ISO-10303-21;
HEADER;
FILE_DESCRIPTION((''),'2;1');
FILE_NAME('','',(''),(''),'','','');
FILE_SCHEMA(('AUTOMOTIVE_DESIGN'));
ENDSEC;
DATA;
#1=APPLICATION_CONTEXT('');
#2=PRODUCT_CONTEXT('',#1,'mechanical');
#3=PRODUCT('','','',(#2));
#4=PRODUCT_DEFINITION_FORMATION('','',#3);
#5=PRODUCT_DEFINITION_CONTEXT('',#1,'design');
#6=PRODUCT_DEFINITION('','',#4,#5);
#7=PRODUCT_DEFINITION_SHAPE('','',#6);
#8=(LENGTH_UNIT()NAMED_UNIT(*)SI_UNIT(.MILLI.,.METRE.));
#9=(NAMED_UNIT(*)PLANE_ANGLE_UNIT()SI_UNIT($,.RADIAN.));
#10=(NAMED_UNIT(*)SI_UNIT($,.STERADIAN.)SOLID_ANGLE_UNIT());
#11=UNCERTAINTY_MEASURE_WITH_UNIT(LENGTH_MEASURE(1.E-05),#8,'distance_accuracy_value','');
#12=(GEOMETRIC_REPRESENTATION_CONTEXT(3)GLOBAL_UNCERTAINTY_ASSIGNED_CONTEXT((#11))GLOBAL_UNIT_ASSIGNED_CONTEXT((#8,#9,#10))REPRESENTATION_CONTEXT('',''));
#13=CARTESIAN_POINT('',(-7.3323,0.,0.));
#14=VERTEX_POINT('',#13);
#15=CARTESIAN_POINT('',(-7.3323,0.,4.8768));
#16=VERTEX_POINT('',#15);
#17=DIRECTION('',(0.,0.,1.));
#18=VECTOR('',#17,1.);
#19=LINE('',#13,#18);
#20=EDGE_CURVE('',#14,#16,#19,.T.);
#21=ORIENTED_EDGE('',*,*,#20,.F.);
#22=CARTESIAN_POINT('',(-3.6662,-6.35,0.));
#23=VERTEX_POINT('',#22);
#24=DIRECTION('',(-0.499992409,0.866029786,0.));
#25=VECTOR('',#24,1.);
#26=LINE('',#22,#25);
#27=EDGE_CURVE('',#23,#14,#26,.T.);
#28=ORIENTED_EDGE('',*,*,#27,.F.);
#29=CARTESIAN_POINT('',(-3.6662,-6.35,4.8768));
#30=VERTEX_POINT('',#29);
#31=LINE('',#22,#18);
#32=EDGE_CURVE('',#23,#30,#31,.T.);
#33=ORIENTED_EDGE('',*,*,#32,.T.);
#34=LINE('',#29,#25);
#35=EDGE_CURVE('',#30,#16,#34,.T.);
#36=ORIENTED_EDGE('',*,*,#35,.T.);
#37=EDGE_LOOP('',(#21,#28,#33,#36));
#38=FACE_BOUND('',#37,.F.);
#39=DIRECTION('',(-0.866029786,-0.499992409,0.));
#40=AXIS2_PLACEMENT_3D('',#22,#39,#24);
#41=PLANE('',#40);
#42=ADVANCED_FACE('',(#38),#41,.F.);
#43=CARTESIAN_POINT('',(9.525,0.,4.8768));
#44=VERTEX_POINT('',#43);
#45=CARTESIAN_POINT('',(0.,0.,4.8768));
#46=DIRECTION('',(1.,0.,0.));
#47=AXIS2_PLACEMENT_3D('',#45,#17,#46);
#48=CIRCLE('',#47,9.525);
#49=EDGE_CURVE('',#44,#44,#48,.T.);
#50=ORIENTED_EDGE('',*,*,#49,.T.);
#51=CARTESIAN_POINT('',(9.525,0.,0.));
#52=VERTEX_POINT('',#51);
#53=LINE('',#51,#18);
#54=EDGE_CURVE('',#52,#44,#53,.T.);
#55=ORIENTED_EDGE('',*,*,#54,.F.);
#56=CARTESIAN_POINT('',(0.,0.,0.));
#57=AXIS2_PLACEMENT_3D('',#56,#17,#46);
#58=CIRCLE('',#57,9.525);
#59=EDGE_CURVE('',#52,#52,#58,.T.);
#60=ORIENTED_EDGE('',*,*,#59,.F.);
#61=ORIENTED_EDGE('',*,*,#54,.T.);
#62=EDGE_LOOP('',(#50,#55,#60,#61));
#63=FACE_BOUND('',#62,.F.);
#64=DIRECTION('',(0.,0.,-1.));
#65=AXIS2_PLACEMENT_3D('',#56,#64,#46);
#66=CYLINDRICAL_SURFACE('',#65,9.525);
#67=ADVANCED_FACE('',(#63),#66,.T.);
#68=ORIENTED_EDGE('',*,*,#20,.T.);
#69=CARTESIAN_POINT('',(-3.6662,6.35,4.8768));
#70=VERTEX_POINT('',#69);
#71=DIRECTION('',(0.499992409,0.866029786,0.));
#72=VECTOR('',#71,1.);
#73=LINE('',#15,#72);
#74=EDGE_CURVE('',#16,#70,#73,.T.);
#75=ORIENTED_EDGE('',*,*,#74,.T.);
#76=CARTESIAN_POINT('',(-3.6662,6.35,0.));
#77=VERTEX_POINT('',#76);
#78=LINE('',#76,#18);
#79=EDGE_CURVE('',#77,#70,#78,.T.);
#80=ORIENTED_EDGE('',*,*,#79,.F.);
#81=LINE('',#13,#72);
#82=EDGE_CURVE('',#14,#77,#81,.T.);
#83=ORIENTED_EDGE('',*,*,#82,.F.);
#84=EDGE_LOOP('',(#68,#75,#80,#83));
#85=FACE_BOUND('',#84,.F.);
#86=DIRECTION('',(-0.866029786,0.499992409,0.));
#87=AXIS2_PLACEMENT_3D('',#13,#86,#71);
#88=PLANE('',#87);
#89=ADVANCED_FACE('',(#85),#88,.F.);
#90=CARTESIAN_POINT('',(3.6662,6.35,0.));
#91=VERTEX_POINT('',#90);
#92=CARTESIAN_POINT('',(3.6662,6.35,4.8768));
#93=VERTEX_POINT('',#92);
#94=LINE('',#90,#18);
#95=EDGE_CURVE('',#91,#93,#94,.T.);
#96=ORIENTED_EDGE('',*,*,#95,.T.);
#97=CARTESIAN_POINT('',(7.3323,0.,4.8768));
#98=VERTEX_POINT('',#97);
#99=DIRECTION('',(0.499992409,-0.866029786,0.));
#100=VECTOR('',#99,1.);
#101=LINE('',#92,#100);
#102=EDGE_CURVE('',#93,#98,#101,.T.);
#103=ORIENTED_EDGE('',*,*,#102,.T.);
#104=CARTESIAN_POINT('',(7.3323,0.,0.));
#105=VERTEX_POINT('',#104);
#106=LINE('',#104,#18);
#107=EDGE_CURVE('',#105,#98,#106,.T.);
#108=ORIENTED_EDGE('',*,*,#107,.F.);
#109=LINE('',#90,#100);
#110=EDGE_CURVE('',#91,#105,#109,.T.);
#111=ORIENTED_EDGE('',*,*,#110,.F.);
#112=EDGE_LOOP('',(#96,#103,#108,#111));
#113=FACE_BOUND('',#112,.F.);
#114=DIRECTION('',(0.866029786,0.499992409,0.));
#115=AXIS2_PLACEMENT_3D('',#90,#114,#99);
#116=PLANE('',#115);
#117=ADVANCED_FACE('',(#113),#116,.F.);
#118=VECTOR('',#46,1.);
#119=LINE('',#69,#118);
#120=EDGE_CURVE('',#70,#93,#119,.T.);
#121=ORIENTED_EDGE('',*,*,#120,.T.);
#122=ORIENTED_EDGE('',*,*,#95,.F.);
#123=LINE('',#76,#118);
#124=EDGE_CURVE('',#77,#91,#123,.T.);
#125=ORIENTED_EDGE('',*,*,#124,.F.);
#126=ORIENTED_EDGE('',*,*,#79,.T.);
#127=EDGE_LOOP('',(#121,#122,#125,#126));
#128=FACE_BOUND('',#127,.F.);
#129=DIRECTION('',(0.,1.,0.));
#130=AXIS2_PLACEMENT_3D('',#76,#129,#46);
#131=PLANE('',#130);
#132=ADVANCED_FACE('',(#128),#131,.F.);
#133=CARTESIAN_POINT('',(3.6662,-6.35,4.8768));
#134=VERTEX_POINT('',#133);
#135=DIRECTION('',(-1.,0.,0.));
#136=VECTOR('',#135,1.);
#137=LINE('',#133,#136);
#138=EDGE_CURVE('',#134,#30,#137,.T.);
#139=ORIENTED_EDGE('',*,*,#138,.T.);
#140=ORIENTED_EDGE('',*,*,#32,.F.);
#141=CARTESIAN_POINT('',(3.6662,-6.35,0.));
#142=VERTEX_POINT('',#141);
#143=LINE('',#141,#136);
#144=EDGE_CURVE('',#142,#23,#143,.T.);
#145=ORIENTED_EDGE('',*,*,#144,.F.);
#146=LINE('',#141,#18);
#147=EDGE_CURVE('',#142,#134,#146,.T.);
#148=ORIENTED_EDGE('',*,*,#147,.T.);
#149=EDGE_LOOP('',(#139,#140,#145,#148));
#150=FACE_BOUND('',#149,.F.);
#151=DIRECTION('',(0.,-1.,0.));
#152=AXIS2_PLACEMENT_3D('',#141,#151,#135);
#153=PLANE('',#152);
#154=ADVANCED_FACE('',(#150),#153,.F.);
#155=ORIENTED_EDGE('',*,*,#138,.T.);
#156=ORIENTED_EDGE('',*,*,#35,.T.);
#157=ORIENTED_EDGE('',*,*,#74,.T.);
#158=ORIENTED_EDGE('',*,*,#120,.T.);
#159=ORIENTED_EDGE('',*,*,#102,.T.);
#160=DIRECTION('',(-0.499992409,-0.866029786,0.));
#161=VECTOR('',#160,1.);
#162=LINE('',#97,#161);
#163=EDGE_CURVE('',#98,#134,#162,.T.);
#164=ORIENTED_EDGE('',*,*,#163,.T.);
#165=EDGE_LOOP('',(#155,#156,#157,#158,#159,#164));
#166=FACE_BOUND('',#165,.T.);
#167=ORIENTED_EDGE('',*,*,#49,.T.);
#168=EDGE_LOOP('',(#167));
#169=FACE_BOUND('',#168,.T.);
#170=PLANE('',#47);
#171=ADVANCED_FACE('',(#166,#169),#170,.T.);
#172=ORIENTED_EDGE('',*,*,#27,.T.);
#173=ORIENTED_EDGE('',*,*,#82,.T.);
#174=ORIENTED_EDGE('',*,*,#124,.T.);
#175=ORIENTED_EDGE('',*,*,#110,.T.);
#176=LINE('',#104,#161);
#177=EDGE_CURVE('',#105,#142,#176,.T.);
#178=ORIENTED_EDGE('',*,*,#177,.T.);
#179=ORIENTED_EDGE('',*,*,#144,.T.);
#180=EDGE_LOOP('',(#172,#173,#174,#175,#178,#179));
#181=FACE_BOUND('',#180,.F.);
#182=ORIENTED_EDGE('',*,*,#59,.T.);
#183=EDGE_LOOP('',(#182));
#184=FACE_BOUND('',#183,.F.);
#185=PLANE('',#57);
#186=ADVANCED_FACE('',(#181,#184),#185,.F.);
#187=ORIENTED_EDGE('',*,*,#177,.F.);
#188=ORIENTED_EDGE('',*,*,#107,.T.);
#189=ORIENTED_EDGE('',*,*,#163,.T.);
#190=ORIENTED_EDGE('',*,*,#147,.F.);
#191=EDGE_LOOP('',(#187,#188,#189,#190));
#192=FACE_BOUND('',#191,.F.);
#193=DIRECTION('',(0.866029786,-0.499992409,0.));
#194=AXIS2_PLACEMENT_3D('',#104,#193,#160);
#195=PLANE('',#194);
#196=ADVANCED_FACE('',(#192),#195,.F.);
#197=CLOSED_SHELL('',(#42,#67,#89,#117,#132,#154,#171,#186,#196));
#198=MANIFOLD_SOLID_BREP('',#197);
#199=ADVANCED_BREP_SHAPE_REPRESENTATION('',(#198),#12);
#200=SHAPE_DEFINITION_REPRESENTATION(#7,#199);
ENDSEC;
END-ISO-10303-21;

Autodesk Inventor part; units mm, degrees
ref_plane "YZ Plane" through (0, 0, 0) normal (1, 0, 0) x (0, 1, 0)
ref_plane "XZ Plane" through (0, 0, 0) normal (0, 1, 0) x (-1, 0, 0)
ref_plane "XY Plane" through (0, 0, 0) normal (0, 0, 1) x (1, 0, 0)
sketch "Sketch1" plane through (0, 0, 0) normal (0, 0, 1) x (1, 0, 0)
  circle A0 centre (0, 0) radius 9.525
  line L0 (3.6662, 6.35) -> (7.3323, 0)
  line L1 (7.3323, 0) -> (3.6662, -6.35)
  line L2 (3.6662, -6.35) -> (-3.6662, -6.35)
  line L3 (-3.6662, -6.35) -> (-7.3323, 0)
  line L4 (-7.3323, 0) -> (-3.6662, 6.35)
  line L5 (-3.6662, 6.35) -> (3.6662, 6.35)
  dimension "d0" = 19.05
  dimension "d1" = 12.7
extrude "Extrusion1" add sketch "Sketch1" along normal blind 4.8768
properties part number "DGB_004_OutputWheelSpacer" material "ABS Plastic"
